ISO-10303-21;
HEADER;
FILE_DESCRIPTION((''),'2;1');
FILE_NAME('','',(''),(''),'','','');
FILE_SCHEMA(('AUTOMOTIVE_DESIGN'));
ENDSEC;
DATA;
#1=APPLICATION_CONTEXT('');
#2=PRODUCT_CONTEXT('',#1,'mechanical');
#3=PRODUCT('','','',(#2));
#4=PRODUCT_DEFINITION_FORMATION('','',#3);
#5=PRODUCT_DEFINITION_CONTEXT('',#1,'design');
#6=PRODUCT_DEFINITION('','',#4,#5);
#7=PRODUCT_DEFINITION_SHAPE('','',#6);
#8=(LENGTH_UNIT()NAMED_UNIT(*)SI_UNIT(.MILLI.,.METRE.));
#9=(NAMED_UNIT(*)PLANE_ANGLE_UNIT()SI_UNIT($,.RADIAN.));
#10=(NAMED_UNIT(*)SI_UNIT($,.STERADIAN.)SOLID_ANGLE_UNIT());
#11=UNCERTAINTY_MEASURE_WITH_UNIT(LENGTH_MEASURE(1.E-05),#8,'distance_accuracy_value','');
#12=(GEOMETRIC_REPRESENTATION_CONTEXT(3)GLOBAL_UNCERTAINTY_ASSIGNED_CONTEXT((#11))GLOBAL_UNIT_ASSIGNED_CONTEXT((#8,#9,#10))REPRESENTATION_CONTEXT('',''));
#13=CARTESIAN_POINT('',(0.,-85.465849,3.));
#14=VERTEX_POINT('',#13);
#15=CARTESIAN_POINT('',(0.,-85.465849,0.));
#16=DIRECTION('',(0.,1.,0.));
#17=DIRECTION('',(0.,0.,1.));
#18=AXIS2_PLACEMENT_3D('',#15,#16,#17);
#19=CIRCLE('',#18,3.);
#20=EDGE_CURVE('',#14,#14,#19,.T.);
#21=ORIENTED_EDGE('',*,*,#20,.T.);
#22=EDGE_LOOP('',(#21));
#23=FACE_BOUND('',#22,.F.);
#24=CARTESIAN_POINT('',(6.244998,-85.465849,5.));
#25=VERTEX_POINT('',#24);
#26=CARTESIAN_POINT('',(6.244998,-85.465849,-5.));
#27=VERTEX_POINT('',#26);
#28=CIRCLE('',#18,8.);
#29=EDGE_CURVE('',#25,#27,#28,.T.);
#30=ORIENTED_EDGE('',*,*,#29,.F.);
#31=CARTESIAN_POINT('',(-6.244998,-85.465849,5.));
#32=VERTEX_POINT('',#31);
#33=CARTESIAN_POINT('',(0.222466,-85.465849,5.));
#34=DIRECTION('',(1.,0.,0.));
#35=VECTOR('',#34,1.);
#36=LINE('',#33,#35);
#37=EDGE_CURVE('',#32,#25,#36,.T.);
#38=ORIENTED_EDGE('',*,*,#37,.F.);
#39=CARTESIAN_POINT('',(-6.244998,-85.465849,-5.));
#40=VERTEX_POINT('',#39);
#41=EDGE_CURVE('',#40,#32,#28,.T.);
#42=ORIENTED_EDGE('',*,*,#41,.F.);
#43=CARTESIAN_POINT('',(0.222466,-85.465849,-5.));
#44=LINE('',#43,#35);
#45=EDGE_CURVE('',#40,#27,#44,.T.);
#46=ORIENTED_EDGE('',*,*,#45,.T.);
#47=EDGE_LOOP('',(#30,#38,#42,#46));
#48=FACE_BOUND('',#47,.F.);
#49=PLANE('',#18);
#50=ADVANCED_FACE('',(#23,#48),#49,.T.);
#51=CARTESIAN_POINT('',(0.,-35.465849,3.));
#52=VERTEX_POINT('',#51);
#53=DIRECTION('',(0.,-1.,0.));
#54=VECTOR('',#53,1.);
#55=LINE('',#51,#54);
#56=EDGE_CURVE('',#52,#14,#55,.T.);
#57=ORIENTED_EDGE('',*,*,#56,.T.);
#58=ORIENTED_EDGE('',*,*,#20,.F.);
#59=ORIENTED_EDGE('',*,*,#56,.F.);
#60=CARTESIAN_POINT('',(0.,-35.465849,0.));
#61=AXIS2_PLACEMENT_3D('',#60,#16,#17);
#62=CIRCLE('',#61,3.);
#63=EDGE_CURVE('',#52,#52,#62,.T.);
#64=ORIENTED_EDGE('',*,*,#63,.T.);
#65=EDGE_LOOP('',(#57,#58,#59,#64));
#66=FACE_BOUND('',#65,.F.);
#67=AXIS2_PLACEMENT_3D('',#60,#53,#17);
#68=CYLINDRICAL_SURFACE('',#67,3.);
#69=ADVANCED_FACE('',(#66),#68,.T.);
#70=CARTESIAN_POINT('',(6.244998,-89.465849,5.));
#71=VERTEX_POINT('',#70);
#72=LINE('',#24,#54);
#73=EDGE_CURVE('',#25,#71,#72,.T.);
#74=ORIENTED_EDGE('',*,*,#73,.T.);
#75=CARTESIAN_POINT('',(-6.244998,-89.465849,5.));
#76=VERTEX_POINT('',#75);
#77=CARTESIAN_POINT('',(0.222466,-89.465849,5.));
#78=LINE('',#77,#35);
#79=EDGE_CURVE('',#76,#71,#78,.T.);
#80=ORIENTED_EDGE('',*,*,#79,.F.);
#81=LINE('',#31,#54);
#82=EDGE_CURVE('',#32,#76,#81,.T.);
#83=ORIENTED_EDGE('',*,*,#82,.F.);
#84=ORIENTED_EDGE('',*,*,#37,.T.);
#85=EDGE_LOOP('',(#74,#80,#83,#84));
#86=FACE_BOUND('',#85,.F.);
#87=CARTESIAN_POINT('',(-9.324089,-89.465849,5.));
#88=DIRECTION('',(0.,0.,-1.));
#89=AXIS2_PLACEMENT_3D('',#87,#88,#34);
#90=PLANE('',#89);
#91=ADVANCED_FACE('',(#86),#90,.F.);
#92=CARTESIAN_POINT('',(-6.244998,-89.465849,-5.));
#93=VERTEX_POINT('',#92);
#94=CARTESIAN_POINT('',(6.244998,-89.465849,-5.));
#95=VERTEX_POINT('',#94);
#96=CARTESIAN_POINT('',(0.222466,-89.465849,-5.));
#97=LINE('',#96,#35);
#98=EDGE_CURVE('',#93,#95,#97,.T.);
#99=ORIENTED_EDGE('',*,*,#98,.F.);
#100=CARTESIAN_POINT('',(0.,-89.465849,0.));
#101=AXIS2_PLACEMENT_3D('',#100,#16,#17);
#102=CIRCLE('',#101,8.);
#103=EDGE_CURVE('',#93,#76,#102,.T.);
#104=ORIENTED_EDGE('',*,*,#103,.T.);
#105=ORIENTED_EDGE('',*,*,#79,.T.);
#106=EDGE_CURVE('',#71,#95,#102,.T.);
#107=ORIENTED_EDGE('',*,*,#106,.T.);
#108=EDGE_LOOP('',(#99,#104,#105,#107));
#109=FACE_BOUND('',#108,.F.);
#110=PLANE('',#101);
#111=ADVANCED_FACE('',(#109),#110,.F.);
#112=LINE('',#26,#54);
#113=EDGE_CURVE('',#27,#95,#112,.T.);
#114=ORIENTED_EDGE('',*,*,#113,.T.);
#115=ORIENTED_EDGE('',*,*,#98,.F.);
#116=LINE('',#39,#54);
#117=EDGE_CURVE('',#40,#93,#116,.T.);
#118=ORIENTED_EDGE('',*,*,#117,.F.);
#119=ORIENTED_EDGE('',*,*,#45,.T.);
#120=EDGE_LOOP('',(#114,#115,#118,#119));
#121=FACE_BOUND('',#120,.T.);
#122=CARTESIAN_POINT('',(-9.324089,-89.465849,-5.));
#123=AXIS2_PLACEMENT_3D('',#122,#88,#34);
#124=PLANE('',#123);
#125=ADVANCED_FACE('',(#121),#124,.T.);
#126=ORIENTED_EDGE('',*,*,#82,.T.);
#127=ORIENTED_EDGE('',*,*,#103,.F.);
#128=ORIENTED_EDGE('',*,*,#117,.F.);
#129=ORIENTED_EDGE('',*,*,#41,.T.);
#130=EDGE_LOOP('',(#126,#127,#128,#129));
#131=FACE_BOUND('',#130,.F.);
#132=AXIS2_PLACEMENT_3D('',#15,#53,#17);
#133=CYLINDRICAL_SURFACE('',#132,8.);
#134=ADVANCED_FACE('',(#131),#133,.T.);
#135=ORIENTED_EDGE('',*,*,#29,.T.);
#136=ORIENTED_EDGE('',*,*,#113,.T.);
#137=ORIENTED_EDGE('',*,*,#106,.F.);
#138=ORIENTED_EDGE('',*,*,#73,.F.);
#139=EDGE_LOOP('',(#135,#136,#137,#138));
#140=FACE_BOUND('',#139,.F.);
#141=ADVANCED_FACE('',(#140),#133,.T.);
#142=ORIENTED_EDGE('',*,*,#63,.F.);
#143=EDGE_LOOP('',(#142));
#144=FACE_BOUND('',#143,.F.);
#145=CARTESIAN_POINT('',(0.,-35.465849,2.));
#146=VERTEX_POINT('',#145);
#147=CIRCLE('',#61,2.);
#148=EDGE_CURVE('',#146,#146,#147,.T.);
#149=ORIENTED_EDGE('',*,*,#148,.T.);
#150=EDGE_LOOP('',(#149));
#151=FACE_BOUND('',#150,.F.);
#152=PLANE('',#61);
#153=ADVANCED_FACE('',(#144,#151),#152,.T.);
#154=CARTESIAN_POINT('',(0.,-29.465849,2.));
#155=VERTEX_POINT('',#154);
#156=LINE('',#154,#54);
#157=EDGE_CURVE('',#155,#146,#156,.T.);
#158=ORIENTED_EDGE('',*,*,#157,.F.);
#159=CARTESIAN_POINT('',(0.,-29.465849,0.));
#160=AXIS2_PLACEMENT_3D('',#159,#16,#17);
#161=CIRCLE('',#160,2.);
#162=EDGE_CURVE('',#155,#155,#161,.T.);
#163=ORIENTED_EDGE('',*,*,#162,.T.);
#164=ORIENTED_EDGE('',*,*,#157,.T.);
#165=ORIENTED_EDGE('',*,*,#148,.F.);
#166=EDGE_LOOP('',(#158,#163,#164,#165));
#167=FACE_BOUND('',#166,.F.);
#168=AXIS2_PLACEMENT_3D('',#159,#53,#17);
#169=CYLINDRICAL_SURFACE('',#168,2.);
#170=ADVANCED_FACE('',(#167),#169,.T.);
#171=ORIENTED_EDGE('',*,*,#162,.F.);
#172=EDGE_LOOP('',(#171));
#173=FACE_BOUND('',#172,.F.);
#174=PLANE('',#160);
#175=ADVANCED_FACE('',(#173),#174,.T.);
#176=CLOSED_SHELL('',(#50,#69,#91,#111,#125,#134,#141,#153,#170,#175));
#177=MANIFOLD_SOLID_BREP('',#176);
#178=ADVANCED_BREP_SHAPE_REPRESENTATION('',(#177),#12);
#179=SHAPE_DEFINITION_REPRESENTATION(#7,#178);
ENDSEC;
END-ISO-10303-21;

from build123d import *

# Parameters (mm, degrees)
F3_W     = 19.09311
F3_H     = 4.934694
F3_H_2   = 4.746388
F4_DEPTH = 4


with BuildPart() as f2:
    # F0 (on Right) → F2 (revolve)
    with BuildSketch(Plane.YZ):
        Polygon((-89.465849, 8), (-89.465849, 0), (-29.465849, 0), (-29.465849, 2), (-35.465849, 2), (-35.465849, 3), (-85.465849, 3), (-85.465849, 8), align=None)
    revolve(axis=Axis((0, -60.270485, 0), (0, 1, 0)))

    # F3 (on face) → F4 (cut, through all)
    with BuildSketch(Plane.XZ.offset(89.465849)):
        with Locations((0.222466, 7.467347)):
            Rectangle(F3_W, F3_H)
        with Locations((0.222466, -7.373194)):
            Rectangle(F3_W, F3_H_2)
    extrude(amount=-F4_DEPTH, mode=Mode.SUBTRACT)


solid = f2.part
